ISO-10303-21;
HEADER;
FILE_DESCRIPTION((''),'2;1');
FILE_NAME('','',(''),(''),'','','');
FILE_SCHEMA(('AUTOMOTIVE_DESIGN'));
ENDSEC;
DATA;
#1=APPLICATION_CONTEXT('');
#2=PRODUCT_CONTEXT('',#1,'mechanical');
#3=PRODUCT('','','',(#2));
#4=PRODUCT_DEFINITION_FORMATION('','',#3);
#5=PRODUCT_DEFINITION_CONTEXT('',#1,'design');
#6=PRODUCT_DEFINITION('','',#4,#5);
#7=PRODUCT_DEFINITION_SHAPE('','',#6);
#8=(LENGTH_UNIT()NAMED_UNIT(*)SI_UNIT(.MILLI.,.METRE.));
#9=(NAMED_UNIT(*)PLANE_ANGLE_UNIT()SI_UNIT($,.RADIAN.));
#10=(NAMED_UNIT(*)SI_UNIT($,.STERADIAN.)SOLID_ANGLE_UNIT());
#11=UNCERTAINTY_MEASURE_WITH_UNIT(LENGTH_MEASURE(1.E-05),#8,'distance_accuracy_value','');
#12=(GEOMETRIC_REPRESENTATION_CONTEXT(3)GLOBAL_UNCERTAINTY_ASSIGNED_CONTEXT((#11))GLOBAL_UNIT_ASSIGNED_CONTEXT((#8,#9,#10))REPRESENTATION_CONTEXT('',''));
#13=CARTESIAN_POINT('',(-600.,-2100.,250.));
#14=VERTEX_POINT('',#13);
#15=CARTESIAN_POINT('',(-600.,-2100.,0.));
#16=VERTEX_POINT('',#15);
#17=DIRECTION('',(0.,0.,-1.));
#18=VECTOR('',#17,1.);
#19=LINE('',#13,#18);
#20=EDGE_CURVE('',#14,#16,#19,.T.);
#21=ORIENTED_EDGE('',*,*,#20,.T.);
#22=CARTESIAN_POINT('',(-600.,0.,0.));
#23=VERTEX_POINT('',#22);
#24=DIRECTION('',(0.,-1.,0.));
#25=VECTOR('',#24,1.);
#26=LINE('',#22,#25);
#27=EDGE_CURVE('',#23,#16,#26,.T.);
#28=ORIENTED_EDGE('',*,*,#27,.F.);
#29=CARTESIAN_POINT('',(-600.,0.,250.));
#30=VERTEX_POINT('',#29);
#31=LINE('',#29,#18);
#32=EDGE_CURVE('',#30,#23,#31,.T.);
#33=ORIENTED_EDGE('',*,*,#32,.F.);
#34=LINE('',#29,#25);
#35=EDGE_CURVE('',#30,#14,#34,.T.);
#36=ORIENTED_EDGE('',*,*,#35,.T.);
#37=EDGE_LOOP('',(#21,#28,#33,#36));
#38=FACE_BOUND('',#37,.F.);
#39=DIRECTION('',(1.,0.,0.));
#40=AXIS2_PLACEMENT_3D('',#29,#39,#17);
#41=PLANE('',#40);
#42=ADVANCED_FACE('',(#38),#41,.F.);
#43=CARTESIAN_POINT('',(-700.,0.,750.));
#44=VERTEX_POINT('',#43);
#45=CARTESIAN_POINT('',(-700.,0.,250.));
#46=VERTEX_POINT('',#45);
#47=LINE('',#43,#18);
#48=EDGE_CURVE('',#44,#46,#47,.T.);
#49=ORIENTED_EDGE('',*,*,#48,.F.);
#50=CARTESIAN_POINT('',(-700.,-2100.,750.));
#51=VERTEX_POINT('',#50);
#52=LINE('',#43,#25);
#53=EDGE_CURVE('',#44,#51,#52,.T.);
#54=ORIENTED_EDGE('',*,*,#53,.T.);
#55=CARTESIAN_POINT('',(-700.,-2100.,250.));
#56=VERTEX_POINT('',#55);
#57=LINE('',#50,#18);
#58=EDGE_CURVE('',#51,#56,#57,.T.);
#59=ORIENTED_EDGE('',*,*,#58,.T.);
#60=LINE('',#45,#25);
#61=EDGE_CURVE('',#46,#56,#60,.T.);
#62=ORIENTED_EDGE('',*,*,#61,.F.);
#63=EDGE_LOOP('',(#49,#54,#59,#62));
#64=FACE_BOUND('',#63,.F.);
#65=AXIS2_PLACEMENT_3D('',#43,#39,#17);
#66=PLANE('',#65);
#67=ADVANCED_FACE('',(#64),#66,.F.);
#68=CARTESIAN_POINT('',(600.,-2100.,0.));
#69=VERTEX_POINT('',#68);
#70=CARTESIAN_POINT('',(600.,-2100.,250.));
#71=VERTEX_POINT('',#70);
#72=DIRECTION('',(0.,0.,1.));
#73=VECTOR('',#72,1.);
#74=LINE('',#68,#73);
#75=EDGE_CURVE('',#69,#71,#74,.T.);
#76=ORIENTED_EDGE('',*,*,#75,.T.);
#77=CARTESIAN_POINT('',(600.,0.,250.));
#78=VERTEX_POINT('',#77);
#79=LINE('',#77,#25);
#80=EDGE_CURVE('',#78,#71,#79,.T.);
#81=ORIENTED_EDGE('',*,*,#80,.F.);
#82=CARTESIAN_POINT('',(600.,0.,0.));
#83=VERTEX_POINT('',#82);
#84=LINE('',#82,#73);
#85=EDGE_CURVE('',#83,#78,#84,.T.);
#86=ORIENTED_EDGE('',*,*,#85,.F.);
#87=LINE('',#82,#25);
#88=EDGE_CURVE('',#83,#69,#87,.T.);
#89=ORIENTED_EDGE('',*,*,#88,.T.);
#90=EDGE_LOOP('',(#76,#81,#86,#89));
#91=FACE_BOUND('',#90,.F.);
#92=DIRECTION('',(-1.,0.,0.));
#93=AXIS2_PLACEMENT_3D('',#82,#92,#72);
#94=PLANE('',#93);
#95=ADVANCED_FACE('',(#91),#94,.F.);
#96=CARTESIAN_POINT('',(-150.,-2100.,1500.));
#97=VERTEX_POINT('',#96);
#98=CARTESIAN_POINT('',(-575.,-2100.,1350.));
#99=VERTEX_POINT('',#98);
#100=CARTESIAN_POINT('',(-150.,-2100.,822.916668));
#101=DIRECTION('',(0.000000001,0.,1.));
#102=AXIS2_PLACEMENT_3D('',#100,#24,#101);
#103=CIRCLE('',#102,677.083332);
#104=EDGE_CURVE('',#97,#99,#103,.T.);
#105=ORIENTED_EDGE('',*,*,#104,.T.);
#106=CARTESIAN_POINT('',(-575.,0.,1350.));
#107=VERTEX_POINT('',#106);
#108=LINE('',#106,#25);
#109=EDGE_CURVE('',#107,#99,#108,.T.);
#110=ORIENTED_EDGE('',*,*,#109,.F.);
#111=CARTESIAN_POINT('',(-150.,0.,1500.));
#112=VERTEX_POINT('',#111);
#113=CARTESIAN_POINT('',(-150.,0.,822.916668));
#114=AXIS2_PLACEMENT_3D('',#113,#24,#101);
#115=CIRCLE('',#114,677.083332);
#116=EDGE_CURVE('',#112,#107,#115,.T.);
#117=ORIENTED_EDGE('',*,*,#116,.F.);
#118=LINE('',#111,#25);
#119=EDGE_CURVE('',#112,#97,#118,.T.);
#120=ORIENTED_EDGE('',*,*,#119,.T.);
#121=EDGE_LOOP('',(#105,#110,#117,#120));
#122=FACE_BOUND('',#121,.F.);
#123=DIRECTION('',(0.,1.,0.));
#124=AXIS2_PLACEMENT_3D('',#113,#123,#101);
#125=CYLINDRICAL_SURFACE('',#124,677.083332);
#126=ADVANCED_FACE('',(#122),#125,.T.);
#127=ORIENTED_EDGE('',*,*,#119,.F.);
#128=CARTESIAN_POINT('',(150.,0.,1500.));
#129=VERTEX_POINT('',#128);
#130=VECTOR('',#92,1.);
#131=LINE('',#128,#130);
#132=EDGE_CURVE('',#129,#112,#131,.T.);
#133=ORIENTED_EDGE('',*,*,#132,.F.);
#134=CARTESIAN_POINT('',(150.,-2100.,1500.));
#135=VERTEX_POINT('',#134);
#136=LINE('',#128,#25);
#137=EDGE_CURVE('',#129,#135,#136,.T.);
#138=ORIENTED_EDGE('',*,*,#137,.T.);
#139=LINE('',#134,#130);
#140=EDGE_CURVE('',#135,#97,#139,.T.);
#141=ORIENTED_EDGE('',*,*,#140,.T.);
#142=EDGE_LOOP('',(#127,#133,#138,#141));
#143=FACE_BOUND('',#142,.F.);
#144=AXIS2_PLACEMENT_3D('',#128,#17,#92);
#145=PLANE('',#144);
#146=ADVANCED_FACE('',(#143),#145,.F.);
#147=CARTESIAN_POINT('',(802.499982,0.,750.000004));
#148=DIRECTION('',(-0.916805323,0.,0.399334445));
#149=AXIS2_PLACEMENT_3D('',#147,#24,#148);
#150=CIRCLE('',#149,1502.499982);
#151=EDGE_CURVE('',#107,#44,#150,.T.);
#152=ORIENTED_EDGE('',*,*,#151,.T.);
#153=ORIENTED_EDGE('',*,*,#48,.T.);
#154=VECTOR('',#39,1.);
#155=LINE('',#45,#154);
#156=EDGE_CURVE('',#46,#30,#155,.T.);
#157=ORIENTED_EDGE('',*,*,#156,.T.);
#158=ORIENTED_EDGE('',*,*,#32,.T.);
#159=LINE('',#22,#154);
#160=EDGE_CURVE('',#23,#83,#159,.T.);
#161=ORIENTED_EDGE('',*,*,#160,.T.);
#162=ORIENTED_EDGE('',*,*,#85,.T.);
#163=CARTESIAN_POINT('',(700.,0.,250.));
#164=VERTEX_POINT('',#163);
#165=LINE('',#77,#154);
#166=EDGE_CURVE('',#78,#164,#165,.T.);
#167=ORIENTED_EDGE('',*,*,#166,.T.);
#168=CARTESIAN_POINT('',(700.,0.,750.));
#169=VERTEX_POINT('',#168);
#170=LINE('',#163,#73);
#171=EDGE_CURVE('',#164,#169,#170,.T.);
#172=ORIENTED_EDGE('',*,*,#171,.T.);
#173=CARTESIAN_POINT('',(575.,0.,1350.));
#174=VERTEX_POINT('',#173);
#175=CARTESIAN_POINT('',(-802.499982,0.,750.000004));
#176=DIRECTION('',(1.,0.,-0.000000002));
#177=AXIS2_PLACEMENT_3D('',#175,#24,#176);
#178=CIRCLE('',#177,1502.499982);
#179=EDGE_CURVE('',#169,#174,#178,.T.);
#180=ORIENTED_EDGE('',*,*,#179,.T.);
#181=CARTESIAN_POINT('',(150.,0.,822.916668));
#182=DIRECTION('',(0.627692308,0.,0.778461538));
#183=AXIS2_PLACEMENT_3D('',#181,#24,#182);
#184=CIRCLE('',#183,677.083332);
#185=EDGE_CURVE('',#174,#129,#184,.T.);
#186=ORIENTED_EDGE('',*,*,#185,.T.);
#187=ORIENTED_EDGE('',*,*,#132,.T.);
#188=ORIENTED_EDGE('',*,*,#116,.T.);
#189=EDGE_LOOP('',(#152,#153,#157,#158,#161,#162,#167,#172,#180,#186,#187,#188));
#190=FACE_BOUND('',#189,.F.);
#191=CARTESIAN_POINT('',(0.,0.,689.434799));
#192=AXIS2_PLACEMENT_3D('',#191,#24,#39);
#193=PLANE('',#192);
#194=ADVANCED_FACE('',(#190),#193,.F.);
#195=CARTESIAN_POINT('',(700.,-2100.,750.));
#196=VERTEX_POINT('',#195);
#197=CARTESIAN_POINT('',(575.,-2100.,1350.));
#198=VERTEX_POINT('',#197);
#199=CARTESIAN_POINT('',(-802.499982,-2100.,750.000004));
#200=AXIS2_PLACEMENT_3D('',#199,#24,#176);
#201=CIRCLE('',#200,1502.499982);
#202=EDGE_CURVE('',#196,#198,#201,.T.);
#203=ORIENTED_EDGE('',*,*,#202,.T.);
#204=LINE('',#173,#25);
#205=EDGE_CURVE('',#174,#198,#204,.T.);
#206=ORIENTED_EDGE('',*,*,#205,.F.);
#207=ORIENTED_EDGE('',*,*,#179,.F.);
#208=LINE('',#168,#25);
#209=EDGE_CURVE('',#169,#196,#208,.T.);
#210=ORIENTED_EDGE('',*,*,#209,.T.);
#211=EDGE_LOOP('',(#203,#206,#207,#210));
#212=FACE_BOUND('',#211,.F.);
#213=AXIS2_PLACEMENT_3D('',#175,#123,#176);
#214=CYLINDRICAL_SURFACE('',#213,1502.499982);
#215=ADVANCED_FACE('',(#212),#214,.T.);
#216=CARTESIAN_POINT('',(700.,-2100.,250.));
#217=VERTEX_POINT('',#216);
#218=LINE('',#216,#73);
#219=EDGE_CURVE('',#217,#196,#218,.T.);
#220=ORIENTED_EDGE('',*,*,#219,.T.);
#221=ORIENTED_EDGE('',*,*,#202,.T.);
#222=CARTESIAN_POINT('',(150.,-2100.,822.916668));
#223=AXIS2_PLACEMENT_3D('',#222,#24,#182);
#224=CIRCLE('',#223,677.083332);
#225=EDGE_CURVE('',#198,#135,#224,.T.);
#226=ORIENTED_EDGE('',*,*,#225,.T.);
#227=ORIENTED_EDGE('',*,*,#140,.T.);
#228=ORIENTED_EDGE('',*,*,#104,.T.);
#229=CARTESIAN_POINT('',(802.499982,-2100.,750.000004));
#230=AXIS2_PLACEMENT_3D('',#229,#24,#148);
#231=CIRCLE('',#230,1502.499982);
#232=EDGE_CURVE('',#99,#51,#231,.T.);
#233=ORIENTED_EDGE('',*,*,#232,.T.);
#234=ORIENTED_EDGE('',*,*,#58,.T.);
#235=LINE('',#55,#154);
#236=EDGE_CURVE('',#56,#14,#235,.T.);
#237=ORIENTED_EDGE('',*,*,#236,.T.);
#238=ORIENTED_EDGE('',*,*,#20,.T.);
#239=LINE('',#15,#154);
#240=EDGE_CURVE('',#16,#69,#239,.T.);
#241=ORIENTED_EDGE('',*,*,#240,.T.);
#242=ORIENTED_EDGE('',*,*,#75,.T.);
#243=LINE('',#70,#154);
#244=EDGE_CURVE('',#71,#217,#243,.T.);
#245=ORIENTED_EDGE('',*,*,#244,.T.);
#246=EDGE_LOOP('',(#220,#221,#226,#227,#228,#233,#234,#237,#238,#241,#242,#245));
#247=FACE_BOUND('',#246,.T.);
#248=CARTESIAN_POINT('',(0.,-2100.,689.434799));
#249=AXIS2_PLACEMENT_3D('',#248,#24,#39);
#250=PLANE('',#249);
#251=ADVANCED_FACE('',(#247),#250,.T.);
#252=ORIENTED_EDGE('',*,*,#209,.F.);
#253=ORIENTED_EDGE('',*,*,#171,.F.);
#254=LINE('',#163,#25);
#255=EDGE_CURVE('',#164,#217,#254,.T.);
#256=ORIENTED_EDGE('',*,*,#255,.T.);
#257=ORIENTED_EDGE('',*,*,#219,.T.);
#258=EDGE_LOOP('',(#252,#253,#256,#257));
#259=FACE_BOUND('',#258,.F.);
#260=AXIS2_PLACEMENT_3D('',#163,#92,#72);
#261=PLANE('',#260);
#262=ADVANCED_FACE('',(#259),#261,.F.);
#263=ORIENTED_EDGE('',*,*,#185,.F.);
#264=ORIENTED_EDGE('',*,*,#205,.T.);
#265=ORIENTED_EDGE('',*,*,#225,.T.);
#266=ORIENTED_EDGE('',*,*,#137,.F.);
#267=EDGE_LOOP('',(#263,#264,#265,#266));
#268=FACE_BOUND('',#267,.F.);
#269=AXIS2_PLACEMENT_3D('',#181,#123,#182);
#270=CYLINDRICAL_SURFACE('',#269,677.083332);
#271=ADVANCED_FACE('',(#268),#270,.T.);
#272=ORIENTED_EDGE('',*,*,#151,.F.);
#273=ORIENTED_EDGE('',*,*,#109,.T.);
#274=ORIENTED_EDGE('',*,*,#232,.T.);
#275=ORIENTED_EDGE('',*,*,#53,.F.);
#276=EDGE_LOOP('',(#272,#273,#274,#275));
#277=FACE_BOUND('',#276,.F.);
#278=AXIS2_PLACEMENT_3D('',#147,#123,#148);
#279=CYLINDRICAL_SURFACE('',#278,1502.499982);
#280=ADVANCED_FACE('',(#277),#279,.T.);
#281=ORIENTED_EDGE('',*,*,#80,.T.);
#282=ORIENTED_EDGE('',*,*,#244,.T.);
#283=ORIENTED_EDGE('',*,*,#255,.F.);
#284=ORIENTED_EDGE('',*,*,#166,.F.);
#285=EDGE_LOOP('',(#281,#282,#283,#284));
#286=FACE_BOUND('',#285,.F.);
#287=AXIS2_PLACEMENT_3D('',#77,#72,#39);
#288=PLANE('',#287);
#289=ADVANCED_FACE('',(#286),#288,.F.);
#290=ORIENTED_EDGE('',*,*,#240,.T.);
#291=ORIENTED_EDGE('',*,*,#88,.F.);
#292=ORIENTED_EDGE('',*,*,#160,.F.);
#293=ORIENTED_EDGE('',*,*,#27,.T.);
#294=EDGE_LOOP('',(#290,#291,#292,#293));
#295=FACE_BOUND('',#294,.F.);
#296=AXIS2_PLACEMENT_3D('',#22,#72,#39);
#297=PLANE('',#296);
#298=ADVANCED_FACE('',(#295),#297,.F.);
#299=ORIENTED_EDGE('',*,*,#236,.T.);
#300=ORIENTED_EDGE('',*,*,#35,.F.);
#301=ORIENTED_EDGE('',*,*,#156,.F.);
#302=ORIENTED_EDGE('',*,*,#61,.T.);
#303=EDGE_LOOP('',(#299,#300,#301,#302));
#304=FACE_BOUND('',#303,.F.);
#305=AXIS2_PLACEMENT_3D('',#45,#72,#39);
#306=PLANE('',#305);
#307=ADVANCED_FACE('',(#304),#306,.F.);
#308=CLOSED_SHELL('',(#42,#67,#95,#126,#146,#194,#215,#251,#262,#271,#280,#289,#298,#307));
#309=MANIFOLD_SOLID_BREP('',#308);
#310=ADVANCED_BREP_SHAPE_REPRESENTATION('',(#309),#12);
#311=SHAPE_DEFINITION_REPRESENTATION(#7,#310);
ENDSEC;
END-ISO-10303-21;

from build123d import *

# Parameters (mm, degrees)
F1_DEPTH = 2100


with BuildPart() as f1:
    # F0 (on Front) → F1 (new body)
    with BuildSketch(Plane.XZ):
        with BuildLine():
            Line((-600, 250), (-600, 0))
            Line((-600, 0), (600, 0))
            Line((600, 0), (600, 250))
            Line((600, 250), (700, 250))
            Line((700, 250), (700, 750))
            ThreePointArc((700, 750), (668.418081, 1056.441267), (575, 1350))
            ThreePointArc((575, 1350), (375.346955, 1461.399705), (150, 1500))
            Line((150, 1500), (-150, 1500))
            ThreePointArc((-150, 1500), (-375.346955, 1461.399705), (-575, 1350))
            ThreePointArc((-575, 1350), (-668.418081, 1056.441267), (-700, 750))
            Line((-700, 750), (-700, 250))
            Line((-700, 250), (-600, 250))
        make_face()
    extrude(amount=F1_DEPTH)


solid = f1.part
